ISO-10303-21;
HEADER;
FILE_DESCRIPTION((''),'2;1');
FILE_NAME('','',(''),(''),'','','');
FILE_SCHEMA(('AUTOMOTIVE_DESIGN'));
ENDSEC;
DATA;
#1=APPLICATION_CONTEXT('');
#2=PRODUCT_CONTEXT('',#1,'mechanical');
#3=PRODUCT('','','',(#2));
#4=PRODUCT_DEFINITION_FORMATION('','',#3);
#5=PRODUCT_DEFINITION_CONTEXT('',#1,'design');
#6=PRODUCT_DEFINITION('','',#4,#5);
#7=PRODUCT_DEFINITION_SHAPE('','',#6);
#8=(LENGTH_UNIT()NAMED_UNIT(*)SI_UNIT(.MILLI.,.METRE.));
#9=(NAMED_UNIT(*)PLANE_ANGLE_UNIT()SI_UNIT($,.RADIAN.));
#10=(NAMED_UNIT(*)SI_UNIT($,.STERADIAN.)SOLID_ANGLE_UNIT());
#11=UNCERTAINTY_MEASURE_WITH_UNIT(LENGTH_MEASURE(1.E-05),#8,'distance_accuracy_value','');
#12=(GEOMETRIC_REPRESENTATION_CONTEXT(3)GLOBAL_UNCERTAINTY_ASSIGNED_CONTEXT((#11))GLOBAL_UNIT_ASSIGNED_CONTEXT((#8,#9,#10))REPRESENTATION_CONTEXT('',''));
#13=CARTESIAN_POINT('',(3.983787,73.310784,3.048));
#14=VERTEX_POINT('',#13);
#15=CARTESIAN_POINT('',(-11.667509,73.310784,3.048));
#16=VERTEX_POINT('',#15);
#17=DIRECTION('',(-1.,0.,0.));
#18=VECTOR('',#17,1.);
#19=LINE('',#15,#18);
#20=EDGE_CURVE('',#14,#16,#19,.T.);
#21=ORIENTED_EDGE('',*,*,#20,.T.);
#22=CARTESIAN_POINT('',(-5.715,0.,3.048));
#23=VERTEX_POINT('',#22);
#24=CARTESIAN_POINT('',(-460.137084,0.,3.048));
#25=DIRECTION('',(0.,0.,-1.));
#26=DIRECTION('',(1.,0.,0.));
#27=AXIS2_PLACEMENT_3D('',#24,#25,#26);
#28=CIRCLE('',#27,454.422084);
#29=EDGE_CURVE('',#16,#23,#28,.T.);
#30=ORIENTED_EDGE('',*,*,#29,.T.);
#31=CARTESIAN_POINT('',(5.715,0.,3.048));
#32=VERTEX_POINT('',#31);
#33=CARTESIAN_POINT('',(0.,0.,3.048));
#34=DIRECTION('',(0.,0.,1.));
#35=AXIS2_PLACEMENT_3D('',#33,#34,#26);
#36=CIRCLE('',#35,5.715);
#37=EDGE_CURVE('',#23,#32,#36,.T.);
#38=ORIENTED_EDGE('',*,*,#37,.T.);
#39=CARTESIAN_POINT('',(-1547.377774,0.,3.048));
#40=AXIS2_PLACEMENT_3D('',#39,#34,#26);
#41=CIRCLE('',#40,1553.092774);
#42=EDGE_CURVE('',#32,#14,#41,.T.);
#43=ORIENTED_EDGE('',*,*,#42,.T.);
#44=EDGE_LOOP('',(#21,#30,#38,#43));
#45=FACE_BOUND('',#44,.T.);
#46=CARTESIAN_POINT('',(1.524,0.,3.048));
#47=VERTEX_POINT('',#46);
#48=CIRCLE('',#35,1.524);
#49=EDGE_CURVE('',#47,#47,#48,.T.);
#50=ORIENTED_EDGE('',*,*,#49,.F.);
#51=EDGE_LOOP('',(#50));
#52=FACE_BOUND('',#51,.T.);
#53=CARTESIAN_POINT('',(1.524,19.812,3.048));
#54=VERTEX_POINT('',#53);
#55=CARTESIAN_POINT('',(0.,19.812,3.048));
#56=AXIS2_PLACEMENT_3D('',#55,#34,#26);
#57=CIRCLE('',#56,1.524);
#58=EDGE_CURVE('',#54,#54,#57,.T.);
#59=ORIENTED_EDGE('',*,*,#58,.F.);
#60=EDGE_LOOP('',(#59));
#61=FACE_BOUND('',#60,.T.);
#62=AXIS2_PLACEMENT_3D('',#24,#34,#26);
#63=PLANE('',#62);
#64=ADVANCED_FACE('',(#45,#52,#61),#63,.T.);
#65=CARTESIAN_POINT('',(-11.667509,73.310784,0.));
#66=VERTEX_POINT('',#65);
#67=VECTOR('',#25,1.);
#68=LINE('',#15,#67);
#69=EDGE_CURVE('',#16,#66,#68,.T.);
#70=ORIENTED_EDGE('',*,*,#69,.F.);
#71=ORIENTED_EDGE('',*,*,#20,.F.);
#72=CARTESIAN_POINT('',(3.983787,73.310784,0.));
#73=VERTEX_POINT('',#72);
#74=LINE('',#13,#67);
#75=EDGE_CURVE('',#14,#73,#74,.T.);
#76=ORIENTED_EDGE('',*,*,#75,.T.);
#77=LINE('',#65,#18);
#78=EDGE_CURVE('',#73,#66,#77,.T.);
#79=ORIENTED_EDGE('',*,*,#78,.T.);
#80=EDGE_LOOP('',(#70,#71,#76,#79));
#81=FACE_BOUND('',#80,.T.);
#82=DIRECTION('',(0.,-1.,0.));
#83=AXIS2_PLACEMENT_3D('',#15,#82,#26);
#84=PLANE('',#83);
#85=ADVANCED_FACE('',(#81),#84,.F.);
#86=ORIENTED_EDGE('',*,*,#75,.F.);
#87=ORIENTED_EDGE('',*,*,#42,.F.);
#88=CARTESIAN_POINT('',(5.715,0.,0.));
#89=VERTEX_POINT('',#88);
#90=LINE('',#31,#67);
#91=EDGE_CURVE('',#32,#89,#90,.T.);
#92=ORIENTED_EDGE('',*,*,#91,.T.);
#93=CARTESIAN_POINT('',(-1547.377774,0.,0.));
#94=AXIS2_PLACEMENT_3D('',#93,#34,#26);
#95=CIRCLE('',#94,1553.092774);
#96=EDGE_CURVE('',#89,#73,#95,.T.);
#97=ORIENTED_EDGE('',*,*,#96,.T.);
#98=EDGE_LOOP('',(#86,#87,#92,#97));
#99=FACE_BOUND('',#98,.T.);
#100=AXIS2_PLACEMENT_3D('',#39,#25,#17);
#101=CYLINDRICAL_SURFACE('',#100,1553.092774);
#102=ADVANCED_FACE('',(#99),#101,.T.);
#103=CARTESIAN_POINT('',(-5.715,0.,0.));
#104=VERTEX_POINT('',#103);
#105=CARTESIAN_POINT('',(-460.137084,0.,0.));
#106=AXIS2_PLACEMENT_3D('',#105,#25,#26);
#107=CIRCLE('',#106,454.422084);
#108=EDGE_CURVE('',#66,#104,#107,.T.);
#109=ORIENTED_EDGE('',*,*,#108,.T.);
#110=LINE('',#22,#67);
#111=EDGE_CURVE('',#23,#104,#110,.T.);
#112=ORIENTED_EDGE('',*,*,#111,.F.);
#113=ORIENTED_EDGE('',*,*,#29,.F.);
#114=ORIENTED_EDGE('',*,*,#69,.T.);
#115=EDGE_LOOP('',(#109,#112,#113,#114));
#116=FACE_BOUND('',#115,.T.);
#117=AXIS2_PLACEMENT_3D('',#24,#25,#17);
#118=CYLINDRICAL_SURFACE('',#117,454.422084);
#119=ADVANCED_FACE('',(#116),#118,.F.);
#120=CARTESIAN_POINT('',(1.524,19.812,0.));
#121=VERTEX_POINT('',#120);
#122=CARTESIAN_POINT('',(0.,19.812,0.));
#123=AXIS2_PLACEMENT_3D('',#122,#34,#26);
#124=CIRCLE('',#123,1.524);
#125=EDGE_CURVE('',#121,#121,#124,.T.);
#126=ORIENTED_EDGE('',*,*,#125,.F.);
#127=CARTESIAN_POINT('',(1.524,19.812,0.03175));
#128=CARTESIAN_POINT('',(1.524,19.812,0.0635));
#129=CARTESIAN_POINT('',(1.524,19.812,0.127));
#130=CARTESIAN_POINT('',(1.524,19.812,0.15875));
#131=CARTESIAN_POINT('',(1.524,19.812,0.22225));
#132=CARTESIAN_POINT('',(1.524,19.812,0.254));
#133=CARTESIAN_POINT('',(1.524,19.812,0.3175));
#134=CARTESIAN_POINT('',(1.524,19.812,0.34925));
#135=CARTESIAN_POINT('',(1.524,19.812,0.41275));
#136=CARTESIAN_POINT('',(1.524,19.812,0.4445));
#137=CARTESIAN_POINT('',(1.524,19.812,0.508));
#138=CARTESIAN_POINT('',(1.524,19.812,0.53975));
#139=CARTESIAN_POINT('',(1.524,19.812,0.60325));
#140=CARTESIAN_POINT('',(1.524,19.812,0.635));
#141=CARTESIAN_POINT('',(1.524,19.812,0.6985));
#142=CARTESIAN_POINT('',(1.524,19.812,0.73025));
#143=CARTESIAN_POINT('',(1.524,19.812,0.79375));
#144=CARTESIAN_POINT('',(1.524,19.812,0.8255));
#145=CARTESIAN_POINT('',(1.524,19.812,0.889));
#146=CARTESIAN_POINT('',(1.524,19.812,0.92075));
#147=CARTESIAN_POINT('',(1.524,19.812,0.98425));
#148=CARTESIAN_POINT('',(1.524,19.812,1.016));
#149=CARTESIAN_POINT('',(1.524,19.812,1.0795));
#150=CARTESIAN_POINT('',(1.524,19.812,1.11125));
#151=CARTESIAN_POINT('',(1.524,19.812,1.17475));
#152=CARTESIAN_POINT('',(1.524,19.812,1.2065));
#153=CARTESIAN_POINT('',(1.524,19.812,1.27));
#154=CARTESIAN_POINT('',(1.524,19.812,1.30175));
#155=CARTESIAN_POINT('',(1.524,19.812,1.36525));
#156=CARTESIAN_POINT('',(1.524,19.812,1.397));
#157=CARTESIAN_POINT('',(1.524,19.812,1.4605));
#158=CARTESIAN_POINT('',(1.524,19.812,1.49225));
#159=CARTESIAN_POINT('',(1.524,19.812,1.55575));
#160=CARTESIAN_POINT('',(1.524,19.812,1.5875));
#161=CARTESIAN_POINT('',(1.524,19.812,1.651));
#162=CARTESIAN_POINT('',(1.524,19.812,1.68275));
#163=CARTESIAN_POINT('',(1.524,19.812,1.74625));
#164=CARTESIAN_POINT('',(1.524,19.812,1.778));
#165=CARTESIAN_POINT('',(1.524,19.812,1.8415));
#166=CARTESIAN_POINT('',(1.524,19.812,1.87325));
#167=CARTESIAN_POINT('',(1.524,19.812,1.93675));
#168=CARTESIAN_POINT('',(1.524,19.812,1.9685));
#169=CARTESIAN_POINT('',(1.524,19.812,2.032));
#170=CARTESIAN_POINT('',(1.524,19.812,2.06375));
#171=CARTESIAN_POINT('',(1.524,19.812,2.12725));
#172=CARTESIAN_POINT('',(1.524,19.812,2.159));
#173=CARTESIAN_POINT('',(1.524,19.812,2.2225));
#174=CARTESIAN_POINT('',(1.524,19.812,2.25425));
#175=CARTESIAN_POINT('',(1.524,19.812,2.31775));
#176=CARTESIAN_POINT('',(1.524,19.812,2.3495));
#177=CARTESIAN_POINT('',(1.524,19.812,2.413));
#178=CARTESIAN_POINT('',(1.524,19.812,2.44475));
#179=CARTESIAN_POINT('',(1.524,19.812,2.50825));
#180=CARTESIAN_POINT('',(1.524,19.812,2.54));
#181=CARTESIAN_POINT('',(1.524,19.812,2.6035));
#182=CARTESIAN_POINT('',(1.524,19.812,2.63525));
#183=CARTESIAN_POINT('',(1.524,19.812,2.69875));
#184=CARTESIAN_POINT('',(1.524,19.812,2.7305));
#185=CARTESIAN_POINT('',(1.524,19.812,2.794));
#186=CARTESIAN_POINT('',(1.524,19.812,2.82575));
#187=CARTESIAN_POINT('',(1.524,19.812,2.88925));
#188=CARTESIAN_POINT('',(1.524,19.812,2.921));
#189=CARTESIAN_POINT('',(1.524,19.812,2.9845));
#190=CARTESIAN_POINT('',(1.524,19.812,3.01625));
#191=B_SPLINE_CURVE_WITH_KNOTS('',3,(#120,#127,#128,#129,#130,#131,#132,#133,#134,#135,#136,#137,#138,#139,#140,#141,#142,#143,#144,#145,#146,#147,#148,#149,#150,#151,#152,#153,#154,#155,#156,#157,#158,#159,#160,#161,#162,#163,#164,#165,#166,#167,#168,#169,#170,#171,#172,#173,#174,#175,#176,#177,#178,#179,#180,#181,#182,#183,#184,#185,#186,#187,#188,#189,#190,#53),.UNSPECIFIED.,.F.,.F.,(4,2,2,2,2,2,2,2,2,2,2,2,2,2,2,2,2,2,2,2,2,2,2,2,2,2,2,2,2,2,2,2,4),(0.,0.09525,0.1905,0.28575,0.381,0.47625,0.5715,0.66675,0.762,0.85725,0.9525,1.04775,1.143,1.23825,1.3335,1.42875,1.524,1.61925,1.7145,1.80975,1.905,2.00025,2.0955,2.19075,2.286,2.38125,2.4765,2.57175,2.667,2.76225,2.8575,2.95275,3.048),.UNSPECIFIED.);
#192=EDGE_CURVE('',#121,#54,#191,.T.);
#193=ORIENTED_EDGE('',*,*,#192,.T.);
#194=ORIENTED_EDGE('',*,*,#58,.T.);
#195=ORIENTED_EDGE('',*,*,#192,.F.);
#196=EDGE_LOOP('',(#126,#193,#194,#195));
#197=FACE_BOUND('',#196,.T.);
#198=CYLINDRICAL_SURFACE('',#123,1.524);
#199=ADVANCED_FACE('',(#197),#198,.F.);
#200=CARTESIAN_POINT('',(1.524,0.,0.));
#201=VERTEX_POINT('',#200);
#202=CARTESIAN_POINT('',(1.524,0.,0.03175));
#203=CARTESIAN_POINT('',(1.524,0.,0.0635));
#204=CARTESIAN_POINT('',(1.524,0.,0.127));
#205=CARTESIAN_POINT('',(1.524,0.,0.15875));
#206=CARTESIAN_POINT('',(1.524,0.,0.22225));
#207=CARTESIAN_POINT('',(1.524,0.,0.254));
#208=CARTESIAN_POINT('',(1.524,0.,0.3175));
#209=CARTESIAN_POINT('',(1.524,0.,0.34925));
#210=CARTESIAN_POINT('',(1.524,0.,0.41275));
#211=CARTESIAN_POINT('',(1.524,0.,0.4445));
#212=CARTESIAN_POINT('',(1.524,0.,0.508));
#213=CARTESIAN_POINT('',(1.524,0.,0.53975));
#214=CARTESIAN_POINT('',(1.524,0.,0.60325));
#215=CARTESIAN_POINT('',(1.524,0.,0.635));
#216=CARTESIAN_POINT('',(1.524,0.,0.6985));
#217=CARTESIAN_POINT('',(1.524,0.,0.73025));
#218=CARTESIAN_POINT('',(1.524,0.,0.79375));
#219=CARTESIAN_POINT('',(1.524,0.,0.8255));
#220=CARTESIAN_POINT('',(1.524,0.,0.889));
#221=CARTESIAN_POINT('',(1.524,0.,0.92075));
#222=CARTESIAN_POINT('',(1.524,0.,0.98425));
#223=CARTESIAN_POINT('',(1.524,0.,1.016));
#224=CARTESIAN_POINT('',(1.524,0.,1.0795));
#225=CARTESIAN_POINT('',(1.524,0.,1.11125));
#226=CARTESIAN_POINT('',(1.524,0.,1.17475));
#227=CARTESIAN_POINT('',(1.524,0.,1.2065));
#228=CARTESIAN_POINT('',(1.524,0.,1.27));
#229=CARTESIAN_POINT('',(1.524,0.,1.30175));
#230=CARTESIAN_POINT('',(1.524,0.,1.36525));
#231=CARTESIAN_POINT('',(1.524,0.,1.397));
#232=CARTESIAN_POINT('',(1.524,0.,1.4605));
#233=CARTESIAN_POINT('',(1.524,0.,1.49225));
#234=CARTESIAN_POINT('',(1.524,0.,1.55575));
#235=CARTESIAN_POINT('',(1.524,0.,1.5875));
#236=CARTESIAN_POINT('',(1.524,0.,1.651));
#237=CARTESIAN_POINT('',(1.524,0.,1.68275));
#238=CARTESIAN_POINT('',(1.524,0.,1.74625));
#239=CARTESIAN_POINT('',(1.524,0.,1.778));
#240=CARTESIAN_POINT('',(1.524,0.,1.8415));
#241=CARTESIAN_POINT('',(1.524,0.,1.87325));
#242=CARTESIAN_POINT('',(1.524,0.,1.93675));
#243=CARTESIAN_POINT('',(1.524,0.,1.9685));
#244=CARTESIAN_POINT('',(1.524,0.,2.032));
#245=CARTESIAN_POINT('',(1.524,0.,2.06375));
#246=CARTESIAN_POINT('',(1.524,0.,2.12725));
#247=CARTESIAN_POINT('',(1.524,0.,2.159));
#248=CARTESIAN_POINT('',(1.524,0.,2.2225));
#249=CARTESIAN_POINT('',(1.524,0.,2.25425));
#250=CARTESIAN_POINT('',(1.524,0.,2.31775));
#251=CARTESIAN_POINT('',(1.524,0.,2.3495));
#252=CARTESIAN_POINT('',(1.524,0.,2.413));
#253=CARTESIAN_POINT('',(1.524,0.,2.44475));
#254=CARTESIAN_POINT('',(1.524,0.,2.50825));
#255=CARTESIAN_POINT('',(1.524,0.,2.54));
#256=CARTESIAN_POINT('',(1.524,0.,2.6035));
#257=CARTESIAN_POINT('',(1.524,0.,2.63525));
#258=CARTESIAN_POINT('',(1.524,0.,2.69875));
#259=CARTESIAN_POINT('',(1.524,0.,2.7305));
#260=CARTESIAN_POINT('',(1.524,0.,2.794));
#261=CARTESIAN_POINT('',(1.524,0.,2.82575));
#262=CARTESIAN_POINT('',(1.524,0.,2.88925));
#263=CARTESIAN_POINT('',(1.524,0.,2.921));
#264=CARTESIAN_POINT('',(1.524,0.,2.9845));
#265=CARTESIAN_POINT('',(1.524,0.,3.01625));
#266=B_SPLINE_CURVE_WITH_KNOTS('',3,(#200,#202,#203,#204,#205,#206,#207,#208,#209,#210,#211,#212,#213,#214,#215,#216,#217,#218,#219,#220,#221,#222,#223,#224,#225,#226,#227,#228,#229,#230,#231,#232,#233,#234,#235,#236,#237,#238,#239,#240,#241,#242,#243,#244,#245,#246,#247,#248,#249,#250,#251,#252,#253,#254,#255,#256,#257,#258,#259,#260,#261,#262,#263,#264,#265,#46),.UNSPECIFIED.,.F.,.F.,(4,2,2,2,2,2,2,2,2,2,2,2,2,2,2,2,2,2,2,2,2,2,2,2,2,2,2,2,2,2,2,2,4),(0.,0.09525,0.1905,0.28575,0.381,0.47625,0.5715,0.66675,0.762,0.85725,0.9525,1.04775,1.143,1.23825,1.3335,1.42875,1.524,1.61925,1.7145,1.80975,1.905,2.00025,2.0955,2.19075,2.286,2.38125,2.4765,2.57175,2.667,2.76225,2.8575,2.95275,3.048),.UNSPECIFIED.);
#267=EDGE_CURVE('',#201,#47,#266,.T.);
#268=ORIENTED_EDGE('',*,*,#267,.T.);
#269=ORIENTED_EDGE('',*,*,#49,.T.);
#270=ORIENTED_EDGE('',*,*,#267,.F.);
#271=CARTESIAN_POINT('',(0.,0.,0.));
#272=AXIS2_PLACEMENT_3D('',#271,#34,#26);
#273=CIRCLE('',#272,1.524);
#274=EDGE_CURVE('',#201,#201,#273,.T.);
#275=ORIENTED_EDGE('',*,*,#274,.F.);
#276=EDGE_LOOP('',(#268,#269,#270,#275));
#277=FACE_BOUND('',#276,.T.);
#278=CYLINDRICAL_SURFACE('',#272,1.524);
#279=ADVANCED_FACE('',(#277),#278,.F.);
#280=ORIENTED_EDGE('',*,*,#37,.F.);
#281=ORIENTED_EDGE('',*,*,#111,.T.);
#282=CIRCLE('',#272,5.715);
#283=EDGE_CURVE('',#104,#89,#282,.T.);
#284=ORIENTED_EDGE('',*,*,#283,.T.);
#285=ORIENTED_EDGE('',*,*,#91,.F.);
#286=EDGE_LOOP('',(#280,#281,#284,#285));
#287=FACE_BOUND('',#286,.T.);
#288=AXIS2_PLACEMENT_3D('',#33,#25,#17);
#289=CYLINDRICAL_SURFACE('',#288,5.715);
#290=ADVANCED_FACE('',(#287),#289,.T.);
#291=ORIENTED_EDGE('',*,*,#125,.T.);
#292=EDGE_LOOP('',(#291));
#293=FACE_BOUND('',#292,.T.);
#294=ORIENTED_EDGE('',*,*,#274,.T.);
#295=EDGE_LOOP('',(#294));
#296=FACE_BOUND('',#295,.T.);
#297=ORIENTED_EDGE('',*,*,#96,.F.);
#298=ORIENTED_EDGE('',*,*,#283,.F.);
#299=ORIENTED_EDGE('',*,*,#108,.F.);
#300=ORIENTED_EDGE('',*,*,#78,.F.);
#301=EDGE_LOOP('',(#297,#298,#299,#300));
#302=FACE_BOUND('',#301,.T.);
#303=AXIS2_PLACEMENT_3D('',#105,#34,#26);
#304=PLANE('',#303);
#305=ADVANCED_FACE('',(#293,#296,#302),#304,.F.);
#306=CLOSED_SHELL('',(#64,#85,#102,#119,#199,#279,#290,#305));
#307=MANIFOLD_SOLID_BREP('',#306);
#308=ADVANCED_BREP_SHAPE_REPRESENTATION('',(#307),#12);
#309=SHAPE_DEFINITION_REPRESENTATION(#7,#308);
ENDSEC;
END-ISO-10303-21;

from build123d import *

# Parameters (mm, degrees)
LEG_DEPTH       = 3.048
SKETCH4_R       = 1.524
FEETHOLES_DEPTH = 3.048


with BuildPart() as part:
    # Sketch3 → Leg (new body)
    with BuildSketch(Plane.XY):
        with BuildLine():
            Line((-11.667509286, 73.310783577), (3.98378723, 73.310783577))
            ThreePointArc((3.98378723, 73.310783577), (5.282136486, 36.665610885), (5.715, 0))
            ThreePointArc((5.715, 0), (0, -5.715), (-5.715, 0))
            ThreePointArc((-5.715, 0), (-7.20557197, 36.776022608), (-11.667509286, 73.310783577))
        make_face()
    extrude(amount=LEG_DEPTH)

    # Sketch4 → FeetHoles (cut)
    with BuildSketch(Plane.XY.offset(3.048)):
        Circle(SKETCH4_R)
        with Locations((0, 19.812)):
            Circle(SKETCH4_R)
    extrude(amount=-FEETHOLES_DEPTH, mode=Mode.SUBTRACT)


solid = part.part
